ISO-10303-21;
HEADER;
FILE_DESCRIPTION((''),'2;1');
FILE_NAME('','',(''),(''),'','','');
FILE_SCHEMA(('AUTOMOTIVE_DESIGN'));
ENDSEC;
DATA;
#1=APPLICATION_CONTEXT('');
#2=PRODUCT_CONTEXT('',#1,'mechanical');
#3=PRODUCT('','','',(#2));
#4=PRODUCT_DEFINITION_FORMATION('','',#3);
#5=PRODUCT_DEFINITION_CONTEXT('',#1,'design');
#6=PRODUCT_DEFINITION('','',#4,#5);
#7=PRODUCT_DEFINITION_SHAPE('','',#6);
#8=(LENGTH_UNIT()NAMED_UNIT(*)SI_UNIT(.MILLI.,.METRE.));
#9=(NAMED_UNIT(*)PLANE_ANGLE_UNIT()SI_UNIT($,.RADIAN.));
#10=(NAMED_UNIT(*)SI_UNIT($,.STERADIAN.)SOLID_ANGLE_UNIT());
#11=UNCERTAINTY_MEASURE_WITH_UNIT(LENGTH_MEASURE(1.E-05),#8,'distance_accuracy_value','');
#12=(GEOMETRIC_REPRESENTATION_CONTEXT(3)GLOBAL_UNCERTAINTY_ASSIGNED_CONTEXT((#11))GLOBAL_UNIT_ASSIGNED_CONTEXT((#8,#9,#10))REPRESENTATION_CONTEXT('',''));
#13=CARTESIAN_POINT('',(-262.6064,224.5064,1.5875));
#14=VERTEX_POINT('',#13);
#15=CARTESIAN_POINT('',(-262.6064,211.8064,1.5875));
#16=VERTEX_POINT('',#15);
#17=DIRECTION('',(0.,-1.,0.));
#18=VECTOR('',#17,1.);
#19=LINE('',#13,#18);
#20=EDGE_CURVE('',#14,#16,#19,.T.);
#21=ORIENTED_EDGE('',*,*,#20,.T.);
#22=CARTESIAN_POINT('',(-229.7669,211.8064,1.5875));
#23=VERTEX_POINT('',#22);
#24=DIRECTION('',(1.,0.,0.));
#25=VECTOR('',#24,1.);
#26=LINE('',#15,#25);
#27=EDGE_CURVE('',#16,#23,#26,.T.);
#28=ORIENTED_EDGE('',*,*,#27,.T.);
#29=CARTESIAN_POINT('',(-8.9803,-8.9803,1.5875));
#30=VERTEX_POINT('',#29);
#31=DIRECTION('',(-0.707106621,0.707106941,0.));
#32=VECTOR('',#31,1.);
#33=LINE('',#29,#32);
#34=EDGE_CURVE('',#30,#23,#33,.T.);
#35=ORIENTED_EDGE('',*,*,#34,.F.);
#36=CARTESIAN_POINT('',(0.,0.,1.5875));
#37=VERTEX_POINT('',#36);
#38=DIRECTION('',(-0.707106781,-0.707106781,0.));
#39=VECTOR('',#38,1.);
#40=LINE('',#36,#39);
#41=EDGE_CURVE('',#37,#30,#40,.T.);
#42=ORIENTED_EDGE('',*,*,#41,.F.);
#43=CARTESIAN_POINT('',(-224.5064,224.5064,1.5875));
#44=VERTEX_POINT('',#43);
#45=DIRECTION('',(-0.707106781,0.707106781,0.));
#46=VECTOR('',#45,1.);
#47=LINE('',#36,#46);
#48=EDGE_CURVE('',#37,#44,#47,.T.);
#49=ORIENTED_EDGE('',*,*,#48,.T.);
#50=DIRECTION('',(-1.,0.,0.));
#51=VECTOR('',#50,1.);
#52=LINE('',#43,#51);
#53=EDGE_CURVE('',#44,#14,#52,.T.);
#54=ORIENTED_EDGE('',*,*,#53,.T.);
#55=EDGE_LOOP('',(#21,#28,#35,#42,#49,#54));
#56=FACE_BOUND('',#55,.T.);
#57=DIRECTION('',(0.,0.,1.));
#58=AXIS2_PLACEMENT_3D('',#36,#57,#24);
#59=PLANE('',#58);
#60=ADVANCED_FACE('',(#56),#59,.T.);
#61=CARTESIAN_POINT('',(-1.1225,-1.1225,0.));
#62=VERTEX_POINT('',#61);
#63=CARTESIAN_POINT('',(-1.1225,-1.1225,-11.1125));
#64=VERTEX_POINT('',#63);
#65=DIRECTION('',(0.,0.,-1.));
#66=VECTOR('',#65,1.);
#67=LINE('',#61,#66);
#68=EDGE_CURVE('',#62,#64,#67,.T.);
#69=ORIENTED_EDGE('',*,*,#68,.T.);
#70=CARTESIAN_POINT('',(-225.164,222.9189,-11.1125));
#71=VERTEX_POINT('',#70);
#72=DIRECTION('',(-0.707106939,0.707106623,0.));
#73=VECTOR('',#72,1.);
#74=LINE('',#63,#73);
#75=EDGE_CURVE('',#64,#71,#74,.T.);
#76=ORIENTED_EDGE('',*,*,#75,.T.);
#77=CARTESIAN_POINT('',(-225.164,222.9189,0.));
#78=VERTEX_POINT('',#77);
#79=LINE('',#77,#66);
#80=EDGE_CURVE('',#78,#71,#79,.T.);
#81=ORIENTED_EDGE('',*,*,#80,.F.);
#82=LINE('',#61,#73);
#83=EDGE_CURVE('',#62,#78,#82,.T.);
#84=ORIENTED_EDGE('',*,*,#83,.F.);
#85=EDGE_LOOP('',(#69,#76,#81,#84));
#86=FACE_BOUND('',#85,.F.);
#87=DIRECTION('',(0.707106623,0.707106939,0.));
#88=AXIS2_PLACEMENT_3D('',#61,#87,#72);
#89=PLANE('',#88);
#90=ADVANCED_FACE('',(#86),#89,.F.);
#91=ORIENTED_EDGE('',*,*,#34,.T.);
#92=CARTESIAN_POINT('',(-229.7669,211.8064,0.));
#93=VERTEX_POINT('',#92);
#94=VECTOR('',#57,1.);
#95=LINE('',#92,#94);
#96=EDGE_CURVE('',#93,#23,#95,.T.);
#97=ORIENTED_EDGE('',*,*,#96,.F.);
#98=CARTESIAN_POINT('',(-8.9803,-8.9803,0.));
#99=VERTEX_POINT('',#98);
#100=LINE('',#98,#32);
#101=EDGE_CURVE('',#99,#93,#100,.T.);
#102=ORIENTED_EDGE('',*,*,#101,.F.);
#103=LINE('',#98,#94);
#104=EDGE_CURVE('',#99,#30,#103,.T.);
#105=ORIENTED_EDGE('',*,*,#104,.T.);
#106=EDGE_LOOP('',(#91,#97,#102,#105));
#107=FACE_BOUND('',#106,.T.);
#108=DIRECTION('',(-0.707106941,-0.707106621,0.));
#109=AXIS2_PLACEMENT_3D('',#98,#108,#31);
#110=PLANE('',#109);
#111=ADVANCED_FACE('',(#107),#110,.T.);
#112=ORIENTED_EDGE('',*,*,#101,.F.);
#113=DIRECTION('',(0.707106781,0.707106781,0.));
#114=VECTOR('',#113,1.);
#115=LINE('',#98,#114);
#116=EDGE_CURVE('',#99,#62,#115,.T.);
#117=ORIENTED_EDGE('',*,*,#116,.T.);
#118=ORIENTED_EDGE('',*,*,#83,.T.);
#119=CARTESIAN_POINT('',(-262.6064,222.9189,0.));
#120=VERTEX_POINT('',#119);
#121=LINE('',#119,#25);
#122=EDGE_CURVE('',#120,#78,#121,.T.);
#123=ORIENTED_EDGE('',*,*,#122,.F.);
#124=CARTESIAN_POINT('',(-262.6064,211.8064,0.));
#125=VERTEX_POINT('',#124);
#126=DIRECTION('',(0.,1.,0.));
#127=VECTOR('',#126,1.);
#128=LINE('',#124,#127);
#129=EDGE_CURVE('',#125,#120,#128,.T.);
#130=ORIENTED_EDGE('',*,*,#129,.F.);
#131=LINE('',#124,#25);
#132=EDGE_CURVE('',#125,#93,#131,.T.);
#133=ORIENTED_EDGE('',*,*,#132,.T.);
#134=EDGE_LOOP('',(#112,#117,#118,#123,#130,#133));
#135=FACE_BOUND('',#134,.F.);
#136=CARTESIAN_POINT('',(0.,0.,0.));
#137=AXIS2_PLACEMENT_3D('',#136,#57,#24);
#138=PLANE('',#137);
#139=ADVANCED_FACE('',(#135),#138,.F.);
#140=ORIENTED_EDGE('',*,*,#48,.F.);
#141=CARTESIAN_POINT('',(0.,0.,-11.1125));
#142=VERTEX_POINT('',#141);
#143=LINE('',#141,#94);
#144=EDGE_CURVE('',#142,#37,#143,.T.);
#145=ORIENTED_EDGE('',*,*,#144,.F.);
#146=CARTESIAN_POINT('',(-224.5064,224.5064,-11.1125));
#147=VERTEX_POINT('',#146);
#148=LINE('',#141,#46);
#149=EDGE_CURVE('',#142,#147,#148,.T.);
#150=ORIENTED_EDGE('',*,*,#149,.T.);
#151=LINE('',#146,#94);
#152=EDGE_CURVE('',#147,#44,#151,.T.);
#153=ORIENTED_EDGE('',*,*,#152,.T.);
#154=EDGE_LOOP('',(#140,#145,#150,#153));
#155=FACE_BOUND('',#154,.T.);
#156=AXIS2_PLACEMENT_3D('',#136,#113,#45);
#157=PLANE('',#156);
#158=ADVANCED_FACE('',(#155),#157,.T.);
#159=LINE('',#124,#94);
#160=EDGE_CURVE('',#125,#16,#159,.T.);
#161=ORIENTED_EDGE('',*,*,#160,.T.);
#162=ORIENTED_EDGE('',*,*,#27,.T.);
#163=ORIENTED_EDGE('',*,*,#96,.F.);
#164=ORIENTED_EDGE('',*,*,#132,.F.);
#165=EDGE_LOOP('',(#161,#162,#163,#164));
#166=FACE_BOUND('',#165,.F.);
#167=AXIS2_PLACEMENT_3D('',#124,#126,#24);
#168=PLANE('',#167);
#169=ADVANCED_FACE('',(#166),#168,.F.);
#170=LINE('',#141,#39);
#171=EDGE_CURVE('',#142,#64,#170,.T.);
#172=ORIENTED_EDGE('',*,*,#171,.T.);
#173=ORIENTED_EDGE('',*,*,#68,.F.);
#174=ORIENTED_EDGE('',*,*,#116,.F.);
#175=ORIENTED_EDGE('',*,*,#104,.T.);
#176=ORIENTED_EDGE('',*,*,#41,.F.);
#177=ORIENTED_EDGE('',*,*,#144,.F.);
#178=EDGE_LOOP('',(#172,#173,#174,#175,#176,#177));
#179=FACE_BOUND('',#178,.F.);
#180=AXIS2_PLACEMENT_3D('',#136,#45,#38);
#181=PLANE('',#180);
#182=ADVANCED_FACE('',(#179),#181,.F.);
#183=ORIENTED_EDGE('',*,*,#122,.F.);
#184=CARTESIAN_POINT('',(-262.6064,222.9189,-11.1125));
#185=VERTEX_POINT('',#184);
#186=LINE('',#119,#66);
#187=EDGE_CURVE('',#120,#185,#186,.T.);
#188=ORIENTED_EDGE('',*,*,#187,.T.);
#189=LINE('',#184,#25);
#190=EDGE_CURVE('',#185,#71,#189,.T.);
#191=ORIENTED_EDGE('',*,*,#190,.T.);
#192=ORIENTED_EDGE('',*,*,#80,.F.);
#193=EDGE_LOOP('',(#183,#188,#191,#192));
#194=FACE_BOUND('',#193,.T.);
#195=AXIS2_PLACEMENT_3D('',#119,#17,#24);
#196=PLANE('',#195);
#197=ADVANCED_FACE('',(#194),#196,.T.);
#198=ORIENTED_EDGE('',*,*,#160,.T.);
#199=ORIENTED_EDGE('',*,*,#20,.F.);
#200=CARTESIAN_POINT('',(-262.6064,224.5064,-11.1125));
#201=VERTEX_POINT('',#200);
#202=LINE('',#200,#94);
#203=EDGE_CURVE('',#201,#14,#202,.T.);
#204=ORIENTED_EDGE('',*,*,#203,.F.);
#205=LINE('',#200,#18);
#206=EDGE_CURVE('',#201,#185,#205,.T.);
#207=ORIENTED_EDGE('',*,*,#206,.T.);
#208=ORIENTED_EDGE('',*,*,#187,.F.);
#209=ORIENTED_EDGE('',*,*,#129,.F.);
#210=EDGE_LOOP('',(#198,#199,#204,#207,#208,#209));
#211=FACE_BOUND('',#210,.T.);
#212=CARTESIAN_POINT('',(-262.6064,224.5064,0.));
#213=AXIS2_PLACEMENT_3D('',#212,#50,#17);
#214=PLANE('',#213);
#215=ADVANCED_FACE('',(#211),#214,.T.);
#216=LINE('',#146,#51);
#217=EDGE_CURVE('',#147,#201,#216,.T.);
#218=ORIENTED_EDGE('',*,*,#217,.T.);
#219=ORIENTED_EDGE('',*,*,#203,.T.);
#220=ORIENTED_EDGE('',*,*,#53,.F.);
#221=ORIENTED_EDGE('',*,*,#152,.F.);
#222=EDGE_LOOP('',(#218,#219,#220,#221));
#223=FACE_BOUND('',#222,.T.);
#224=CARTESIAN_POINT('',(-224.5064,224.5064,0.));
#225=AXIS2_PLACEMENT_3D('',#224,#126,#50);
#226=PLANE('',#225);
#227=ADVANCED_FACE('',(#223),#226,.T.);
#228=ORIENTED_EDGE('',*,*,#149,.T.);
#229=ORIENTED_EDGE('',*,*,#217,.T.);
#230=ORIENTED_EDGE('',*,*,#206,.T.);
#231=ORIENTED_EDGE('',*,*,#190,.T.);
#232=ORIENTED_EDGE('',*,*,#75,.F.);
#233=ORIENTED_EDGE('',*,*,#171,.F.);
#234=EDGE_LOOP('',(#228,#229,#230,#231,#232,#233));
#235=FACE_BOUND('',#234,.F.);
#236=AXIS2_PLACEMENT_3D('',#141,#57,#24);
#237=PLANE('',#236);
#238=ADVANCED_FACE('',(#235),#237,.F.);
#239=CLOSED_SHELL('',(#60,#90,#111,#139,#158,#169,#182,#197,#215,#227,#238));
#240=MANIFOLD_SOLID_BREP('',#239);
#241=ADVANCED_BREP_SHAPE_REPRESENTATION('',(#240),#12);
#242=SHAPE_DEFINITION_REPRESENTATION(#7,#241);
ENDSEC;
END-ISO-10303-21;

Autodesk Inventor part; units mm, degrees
ref_plane "YZ Plane" through (0, 0, 0) normal (1, 0, 0) x (0, 1, 0)
ref_plane "XZ Plane" through (0, 0, 0) normal (0, 1, 0) x (-1, 0, 0)
ref_plane "XY Plane" through (0, 0, 0) normal (0, 0, 1) x (1, 0, 0)
sketch "Sketch1" plane through (0, 0, 0) normal (0, 0, 1) x (1, 0, 0)
  line L0 (0, 0) -> (-224.5064, 224.5064)
  line L1 (0, 0) -> (317.5, 0) construction
  line L2 (-224.5064, 224.5064) -> (-262.6064, 224.5064)
  line L3 (-262.6064, 224.5064) -> (-262.6064, 211.8064)
  line L4 (-262.6064, 211.8064) -> (-229.7669, 211.8064)
  line L5 (-229.7669, 211.8064) -> (-224.5064, 224.5064)
  line L6 (0, 0) -> (-8.9803, -8.9803)
  line L7 (-8.9803, -8.9803) -> (-229.7669, 211.8064)
  line L8 (0, 0) -> (-1.1225, -1.1225)
  line L9 (-1.1225, -1.1225) -> (-225.164, 222.9189)
  line L10 (-262.6064, 224.5064) -> (-262.6064, 222.9189)
  line L11 (-262.6064, 222.9189) -> (-225.164, 222.9189)
  dimension "d0" = 317.5
  dimension "d1" = 135
  dimension "d2" = 38.1
  dimension "d3" = 12.7
  dimension "d5" = 12.7
  dimension "d6" = 90
  dimension "d9" = 1.5875
  dimension "d10" = 1.5875
  dimension "d11" = 90
extrude "Extrusion1" add sketch "Sketch1" along normal blind 1.5875
extrude "Extrusion3" add sketch "Sketch1" against normal blind 11.1125 contours L5 L11 L3 L2
extrude "Extrusion4" add sketch "Sketch1" against normal blind 11.1125 contours L6 L9 L5 L0
properties part number "DiagL"
